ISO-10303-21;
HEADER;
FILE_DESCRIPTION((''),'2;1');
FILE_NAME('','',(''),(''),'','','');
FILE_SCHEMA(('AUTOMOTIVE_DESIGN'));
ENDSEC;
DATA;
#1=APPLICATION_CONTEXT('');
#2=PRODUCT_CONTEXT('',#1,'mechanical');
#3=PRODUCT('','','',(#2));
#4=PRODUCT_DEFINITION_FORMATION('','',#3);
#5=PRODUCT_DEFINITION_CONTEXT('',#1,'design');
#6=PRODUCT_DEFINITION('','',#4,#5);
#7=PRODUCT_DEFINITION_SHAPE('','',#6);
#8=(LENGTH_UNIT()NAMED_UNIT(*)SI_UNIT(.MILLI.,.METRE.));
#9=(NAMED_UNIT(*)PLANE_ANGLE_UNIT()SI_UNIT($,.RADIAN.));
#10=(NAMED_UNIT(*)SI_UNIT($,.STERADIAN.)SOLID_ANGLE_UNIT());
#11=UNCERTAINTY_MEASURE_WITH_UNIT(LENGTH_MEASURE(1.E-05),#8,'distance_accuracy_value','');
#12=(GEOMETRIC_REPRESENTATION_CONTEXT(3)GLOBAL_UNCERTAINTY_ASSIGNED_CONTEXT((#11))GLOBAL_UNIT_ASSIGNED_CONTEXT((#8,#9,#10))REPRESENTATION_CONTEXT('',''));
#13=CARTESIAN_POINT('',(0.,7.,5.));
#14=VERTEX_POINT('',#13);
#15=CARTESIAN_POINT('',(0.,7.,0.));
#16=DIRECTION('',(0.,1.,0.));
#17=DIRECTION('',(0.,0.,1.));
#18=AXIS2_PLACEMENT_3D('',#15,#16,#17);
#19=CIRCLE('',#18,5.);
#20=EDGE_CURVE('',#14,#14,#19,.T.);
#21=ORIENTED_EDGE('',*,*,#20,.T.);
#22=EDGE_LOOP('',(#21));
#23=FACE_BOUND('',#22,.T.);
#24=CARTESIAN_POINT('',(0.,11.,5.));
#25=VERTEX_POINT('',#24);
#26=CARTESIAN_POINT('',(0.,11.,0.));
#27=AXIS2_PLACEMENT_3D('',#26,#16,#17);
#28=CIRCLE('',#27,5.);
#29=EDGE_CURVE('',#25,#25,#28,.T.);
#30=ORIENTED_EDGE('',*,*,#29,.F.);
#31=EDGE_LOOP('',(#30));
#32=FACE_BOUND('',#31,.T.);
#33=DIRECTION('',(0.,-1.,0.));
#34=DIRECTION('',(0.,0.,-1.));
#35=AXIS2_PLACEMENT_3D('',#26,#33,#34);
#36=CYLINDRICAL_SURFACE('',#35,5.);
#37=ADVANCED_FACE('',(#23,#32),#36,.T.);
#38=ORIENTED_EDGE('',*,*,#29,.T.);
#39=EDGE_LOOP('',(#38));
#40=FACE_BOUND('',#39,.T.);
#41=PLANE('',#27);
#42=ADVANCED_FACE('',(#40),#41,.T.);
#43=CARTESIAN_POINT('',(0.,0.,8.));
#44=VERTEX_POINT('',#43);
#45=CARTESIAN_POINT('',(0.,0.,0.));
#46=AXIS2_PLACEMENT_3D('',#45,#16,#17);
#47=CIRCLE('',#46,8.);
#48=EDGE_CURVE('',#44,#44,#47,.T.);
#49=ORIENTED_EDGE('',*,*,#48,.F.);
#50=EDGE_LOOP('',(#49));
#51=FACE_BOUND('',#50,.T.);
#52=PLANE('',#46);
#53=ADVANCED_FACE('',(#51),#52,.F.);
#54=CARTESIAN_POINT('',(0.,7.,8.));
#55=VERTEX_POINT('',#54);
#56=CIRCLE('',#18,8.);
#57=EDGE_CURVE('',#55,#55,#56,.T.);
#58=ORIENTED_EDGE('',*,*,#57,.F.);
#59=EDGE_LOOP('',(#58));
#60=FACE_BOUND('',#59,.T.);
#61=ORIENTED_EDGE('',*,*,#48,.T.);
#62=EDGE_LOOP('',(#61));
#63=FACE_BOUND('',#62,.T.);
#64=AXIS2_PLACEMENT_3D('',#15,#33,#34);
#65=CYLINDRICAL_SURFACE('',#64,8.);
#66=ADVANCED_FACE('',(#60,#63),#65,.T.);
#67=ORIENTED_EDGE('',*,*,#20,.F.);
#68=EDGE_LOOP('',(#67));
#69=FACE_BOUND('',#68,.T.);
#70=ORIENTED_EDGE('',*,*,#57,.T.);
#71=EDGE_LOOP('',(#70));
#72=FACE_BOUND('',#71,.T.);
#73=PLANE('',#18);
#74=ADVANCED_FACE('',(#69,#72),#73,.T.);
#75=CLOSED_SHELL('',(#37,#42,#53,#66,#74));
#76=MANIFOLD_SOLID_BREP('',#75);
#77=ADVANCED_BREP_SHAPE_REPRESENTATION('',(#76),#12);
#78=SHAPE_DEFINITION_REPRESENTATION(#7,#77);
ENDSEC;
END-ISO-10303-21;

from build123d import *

# Parameters (mm, degrees)
SKETCH_1_R      = 8
EXTRUDE_1_DEPTH = 7
SKETCH_2_R      = 5
EXTRUDE_2_DEPTH = 4


with BuildPart() as part:
    # 草图1 → 凸台-拉伸1 (new body)
    with BuildSketch(Plane(origin=(0, 0, 0), x_dir=(1, 0, 0), z_dir=(0, 1, 0))):
        with Locations(Location((0, 0, 0), (0, 0, 270))):
            Circle(SKETCH_1_R)
    extrude(amount=EXTRUDE_1_DEPTH)

    # 草图2 → 凸台-拉伸2 (add)
    with BuildSketch(Plane(origin=(0, 7, 0), x_dir=(1, 0, 0), z_dir=(0, 1, 0))):
        with Locations(Location((0, 0, 0), (0, 0, 270))):
            Circle(SKETCH_2_R)
    extrude(amount=EXTRUDE_2_DEPTH)


solid = part.part
